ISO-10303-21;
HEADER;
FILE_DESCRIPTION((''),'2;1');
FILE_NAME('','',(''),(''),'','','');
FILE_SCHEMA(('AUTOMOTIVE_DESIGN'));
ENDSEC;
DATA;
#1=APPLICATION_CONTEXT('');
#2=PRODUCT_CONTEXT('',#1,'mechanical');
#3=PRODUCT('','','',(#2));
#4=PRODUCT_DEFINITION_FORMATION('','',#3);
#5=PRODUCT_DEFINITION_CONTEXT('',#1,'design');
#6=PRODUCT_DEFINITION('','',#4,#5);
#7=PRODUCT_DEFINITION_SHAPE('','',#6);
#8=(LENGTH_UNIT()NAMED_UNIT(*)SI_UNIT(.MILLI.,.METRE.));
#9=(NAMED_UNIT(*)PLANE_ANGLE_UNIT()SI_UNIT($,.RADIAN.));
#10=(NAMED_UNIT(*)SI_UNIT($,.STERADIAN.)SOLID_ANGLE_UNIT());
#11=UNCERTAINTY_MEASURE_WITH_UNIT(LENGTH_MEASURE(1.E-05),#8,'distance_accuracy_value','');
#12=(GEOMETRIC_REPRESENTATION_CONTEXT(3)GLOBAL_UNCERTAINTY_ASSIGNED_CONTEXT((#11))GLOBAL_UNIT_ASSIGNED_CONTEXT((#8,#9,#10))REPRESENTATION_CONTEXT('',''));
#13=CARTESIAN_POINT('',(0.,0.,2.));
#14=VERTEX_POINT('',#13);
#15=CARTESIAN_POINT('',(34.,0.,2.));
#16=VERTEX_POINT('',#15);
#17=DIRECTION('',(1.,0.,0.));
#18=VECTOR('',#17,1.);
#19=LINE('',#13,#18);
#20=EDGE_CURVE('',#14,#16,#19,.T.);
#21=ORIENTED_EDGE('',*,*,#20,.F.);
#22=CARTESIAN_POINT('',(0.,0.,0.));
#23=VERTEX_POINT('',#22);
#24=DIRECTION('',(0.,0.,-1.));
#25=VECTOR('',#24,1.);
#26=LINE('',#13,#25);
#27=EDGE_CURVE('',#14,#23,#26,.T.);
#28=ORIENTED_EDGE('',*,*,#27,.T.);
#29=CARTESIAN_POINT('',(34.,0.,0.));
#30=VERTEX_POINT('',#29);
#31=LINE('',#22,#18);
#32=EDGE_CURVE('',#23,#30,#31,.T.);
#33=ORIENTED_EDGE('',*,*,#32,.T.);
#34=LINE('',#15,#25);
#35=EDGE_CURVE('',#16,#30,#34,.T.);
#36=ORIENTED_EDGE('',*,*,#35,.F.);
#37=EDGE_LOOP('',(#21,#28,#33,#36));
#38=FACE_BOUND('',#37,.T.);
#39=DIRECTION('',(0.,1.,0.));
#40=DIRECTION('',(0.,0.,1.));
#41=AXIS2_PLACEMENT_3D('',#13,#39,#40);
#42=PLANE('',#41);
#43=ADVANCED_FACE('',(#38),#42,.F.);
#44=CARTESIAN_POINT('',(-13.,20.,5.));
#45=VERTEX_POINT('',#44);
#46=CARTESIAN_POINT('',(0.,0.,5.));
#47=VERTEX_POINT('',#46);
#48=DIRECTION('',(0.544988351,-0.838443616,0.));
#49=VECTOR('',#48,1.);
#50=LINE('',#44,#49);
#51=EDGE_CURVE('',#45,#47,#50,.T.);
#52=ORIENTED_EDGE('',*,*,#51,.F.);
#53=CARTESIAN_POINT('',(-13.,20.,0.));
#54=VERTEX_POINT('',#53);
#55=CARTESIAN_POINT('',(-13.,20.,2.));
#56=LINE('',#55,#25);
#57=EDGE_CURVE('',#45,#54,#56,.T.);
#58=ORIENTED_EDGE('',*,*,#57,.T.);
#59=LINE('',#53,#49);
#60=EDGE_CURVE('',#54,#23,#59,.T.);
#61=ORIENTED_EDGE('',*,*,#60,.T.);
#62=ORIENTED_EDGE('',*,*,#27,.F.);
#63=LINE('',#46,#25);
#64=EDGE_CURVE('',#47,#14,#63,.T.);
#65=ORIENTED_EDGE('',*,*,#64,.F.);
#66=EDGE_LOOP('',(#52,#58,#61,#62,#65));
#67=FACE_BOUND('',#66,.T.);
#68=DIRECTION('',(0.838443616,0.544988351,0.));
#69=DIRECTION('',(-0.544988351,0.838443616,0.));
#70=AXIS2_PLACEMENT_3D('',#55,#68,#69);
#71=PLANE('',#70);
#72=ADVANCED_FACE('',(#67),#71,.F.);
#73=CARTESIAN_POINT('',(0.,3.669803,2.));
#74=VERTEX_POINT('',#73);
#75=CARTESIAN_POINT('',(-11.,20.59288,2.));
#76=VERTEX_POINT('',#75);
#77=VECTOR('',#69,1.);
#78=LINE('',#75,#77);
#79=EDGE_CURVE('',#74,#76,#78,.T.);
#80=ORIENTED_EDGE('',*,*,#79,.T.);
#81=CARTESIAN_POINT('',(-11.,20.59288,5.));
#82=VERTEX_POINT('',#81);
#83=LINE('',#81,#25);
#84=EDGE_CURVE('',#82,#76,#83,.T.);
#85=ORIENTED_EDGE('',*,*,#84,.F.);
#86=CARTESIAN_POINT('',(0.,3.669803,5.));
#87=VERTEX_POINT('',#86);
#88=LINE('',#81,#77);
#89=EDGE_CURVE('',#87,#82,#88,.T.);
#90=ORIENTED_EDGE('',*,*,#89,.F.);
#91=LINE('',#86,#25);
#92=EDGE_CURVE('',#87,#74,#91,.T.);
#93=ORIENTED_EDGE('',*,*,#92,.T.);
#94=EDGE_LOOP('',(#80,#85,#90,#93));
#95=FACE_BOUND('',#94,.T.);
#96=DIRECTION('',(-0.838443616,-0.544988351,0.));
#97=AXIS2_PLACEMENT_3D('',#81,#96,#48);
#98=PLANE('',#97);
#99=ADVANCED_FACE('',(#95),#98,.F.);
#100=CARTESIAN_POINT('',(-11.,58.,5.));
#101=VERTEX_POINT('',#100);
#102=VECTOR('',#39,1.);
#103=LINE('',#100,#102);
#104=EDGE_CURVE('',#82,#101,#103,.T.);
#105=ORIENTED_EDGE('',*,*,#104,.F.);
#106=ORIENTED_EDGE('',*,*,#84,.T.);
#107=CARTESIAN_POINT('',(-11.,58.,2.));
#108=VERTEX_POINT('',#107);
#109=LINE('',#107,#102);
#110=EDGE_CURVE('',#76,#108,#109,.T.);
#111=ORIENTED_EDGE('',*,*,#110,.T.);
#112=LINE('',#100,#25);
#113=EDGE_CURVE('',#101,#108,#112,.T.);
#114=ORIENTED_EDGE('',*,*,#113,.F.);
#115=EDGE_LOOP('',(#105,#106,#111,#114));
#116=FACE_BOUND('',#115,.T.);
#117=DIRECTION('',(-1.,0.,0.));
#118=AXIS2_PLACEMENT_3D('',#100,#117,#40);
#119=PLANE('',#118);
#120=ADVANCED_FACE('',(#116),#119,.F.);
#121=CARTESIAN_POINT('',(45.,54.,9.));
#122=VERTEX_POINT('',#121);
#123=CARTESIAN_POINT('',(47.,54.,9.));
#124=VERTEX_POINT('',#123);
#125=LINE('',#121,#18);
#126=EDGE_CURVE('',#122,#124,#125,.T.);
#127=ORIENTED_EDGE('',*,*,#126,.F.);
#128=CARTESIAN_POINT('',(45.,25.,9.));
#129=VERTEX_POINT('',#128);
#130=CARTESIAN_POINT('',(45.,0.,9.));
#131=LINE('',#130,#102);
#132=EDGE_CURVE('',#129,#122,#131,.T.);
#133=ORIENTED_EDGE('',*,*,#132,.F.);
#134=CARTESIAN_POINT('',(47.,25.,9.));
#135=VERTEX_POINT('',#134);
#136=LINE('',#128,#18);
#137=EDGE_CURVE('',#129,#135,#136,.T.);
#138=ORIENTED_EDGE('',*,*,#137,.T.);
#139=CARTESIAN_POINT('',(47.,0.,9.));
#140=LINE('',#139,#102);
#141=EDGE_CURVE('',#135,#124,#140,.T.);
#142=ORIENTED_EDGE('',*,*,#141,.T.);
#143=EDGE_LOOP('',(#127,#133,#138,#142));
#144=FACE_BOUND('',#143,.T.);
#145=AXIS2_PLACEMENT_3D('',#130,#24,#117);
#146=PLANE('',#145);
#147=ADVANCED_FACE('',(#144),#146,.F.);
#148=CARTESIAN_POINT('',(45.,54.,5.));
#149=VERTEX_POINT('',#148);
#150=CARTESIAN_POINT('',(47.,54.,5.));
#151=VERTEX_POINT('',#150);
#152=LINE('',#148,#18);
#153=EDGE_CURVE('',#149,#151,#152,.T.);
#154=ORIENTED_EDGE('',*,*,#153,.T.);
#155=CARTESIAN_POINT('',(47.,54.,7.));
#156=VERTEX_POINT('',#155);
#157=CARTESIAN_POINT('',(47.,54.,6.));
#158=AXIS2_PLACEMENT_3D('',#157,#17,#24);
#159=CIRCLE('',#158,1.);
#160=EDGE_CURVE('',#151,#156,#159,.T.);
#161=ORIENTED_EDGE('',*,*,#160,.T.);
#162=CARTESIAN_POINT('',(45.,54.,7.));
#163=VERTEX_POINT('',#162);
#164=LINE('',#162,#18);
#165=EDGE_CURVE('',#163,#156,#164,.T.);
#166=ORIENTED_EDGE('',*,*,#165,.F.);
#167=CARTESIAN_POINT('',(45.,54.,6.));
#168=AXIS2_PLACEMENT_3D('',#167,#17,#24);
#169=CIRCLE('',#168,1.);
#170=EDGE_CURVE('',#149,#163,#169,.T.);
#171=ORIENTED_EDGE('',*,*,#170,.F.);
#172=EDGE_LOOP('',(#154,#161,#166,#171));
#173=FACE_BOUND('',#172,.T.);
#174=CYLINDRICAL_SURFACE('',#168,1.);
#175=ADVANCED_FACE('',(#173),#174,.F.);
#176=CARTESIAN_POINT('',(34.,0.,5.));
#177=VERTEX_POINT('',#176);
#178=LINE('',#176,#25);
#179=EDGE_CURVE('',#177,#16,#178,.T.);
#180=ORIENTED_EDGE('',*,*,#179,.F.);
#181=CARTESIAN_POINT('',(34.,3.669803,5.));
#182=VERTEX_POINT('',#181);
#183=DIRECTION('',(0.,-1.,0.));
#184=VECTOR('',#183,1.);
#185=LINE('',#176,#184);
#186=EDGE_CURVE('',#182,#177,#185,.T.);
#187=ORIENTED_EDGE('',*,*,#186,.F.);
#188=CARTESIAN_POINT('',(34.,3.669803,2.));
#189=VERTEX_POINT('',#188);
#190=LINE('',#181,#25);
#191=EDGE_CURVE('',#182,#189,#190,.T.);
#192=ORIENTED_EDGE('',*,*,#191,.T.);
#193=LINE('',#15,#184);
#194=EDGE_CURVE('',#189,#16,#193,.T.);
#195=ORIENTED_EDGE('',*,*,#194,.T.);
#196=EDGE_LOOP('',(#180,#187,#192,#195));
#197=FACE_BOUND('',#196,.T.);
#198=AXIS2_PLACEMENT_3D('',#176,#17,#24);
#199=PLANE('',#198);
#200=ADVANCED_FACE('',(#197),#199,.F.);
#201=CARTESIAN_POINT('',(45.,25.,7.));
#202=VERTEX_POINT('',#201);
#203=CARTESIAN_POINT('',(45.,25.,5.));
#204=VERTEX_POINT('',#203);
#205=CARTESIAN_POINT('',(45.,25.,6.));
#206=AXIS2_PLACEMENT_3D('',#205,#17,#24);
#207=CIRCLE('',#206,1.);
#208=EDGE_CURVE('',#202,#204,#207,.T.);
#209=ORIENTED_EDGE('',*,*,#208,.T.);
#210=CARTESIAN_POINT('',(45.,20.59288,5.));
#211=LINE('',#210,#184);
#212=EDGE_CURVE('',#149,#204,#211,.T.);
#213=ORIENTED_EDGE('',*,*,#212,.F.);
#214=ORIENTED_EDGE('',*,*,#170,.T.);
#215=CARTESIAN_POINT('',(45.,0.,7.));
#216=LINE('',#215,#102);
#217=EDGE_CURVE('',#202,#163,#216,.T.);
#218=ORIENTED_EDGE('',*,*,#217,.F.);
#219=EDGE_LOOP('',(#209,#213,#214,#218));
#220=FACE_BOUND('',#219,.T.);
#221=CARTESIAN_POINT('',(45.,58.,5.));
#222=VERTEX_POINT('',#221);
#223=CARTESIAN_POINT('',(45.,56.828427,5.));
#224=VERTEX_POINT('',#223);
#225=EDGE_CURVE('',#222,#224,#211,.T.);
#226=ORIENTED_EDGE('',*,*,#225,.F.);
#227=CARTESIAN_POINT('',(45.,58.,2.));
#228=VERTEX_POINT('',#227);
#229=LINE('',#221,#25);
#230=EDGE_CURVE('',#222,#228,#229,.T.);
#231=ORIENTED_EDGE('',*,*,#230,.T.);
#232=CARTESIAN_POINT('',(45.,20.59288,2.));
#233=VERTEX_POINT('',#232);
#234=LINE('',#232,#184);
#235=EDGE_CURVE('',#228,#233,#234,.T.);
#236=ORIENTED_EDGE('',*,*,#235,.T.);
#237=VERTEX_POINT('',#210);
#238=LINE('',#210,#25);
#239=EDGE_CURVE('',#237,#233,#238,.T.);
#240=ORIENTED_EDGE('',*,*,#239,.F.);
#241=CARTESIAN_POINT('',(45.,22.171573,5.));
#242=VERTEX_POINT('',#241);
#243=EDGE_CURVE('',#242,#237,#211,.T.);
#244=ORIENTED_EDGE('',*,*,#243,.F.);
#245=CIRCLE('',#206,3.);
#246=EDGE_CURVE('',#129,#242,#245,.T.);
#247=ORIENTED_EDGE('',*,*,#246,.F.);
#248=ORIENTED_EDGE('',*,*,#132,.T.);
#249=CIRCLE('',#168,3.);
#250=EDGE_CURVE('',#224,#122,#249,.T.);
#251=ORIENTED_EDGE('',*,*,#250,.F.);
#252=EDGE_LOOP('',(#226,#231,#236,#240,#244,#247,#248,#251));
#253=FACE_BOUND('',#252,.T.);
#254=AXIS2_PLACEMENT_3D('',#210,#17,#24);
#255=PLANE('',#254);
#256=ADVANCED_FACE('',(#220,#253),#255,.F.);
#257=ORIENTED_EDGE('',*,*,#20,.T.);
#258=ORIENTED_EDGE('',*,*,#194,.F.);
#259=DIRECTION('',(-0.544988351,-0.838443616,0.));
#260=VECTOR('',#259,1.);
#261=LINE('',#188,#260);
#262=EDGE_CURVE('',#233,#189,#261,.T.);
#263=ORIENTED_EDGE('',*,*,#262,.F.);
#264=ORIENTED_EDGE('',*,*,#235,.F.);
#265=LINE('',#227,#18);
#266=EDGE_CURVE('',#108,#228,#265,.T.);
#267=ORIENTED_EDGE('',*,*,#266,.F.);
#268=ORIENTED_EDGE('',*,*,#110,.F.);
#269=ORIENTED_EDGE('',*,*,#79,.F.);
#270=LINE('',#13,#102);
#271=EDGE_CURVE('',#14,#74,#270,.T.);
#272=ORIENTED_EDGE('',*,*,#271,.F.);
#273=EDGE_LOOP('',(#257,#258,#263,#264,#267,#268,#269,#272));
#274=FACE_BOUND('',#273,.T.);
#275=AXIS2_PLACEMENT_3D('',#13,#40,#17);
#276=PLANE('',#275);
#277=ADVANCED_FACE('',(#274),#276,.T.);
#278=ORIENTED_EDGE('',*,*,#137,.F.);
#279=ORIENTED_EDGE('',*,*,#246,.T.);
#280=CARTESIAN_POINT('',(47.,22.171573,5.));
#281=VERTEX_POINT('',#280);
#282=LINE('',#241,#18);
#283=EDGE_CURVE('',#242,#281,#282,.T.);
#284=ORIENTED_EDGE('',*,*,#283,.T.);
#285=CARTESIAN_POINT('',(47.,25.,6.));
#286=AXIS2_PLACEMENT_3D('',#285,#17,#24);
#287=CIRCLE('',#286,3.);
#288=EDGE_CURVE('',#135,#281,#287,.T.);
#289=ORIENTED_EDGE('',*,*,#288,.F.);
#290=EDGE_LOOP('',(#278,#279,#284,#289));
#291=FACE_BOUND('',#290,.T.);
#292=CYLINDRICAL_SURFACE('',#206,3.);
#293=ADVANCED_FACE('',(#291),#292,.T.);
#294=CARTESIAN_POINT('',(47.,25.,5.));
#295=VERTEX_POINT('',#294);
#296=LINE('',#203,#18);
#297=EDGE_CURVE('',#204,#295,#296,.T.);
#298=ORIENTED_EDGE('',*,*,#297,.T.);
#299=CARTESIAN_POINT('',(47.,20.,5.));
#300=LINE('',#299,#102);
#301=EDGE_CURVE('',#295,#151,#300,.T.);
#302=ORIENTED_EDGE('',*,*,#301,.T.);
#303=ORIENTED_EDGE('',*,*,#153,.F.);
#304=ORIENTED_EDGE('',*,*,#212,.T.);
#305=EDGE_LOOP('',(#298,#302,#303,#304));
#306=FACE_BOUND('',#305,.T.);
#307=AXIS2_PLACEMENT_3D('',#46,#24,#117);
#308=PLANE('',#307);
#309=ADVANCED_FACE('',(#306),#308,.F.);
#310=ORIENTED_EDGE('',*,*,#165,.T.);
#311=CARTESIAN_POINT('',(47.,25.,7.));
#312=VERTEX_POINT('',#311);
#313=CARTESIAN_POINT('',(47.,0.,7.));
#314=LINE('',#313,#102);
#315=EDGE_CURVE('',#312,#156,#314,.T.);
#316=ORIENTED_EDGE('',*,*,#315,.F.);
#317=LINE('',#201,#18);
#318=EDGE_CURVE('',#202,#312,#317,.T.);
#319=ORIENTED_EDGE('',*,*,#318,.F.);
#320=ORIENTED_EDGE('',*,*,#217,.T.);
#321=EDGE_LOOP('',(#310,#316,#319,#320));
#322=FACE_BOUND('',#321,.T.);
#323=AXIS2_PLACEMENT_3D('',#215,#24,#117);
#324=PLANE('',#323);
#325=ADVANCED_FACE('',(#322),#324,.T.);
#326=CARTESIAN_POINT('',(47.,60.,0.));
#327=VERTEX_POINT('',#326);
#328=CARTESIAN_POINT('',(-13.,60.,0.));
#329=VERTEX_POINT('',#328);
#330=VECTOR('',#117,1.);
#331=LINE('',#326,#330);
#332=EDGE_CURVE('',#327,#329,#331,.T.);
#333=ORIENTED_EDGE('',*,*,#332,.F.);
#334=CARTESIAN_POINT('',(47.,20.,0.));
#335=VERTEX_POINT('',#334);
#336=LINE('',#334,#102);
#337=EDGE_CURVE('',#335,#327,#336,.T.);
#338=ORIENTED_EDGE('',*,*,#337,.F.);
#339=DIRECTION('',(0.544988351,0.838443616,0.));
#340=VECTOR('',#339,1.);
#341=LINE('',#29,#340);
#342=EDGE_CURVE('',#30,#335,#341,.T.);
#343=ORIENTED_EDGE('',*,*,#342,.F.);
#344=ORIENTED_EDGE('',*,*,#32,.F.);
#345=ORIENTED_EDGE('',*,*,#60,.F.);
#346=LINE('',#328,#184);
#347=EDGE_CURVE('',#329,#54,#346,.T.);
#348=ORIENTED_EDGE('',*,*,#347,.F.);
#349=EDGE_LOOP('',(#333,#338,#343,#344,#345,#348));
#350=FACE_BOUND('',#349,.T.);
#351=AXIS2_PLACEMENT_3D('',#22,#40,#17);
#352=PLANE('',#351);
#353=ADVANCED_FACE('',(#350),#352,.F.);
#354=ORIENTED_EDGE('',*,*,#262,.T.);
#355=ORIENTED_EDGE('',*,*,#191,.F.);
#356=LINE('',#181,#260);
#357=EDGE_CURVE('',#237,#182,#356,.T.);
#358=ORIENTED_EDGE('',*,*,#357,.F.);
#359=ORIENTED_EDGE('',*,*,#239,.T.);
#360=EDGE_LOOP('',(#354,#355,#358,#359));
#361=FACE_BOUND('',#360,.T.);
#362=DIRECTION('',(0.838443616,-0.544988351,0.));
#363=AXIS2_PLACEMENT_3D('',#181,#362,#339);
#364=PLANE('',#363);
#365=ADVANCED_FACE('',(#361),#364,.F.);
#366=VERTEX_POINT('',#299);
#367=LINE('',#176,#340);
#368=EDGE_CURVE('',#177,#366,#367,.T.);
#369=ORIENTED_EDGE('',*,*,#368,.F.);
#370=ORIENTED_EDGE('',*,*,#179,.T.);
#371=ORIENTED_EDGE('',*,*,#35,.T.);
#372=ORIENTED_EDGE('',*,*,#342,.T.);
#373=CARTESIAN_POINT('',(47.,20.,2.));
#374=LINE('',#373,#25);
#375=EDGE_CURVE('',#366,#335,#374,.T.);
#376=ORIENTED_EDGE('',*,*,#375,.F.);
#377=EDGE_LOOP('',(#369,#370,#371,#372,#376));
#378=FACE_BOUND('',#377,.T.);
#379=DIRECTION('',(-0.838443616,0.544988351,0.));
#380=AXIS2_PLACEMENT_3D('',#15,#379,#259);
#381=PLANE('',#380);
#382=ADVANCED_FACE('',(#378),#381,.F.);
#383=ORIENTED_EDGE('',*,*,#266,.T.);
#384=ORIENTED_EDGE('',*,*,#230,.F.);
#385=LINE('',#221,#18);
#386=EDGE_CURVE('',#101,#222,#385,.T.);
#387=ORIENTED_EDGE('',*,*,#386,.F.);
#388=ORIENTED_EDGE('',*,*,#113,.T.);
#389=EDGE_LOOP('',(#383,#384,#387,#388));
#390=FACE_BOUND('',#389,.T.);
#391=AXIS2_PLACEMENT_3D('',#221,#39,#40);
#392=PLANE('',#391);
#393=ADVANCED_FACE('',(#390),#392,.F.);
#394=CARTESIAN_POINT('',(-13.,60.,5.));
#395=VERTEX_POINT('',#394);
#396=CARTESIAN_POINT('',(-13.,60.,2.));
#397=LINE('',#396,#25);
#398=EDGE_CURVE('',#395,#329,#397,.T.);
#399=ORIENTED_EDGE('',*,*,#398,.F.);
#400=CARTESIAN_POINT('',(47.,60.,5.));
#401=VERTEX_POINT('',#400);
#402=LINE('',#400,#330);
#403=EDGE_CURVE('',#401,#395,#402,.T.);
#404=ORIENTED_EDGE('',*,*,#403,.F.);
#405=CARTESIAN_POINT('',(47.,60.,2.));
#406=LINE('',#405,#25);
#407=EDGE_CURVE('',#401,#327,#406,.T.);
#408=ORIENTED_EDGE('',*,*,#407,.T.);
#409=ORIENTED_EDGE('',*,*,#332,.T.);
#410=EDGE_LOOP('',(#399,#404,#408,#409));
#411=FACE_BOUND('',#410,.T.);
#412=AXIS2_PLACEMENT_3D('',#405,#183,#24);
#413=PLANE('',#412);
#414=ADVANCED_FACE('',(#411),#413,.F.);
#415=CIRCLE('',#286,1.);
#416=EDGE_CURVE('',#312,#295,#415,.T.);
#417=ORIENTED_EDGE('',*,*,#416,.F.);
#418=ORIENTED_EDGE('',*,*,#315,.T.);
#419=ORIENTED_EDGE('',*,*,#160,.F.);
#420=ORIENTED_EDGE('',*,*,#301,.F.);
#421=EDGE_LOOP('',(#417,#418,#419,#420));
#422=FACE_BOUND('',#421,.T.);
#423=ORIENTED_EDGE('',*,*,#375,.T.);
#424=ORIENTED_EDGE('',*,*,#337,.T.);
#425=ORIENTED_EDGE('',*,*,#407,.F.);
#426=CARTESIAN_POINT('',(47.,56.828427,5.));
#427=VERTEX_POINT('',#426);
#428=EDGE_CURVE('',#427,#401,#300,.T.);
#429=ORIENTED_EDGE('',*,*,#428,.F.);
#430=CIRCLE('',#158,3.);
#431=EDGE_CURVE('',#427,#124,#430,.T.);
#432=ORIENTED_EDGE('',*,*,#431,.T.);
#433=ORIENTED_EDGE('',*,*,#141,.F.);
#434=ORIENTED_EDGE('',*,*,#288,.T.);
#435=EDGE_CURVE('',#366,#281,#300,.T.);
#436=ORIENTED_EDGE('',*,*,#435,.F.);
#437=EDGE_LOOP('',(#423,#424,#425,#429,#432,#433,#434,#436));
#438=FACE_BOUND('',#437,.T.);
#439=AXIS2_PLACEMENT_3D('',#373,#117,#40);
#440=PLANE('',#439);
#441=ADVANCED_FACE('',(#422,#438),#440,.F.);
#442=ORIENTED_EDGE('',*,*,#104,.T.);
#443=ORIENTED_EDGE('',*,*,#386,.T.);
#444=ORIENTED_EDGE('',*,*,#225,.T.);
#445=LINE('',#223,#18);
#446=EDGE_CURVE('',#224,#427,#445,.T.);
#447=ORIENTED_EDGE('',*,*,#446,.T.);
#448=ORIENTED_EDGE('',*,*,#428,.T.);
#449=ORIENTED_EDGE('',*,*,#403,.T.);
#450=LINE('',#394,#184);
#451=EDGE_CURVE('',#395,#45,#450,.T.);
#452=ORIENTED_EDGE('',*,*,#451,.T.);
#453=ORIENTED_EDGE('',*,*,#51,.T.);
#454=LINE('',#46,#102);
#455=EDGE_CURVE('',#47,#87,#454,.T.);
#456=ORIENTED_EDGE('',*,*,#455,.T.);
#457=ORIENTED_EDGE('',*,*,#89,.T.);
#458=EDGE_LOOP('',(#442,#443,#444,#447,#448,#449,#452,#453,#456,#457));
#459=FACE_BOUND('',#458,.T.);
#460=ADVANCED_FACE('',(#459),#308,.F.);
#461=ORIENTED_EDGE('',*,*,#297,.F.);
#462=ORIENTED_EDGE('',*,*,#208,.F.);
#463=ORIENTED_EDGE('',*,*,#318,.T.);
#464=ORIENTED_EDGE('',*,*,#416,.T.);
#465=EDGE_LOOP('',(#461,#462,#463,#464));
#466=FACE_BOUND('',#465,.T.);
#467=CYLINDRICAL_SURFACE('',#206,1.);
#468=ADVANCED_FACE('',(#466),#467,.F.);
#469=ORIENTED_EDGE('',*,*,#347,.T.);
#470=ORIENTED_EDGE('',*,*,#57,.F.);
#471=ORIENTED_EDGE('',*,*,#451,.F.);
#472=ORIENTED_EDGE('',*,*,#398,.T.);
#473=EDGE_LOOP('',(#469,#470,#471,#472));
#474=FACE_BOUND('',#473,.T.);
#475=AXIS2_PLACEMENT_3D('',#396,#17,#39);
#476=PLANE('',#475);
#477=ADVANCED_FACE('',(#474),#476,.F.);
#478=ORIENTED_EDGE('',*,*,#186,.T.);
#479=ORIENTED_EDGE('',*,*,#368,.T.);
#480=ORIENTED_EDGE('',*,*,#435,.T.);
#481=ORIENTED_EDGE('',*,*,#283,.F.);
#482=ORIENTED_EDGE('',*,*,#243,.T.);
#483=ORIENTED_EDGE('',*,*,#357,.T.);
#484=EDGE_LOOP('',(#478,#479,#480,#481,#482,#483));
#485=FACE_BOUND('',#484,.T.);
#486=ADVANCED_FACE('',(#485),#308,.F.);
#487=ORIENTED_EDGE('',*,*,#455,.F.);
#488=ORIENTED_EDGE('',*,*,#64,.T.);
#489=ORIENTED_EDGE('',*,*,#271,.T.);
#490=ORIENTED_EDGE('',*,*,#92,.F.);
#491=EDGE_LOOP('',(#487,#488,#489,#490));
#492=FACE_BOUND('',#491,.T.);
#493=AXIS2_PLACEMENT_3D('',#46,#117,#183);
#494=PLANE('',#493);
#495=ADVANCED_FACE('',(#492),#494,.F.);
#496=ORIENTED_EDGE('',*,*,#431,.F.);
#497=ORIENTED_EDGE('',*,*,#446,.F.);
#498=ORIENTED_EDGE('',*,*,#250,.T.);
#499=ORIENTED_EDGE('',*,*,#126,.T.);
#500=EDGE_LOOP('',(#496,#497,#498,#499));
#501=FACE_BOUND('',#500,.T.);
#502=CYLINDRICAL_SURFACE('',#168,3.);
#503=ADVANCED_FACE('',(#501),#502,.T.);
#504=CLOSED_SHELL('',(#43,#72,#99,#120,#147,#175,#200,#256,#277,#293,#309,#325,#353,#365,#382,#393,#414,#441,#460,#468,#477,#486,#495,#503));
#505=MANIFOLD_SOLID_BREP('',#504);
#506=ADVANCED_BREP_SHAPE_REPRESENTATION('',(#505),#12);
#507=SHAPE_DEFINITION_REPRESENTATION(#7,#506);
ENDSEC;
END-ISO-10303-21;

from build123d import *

# Parameters (mm, degrees)
P_IDAT_VYSUNUT_M1_DEPTH = 2
P_IDAT_VYSUNUT_M2_DEPTH = 3
P_IDAT_VYSUNUT_M3_DEPTH = 2


with BuildPart() as part:
    # Skica1 → Přidat vysunutím1 (new body)
    with BuildSketch(Plane.XY):
        Polygon((0, 0), (34, 0), (47, 20), (47, 60), (-13, 60), (-13, 20), align=None)
    extrude(amount=P_IDAT_VYSUNUT_M1_DEPTH)

    # Skica2 → Přidat vysunutím2 (add)
    with BuildSketch(Plane.XY.offset(2)):
        Polygon((-11, 20.592880136), (0, 3.669803213), (0, 0), (-13, 20), (-13, 60), (47, 60), (47, 20), (34, 0), (34, 3.669803213), (45, 20.592880136), (45, 58), (-11, 58), align=None)
    extrude(amount=P_IDAT_VYSUNUT_M2_DEPTH)

    # Skica3 → Přidat vysunutím3 (add)
    with BuildSketch(Plane(origin=(47, 0, 0), x_dir=(0, 0, -1), z_dir=(1, 0, 0))):
        with BuildLine():
            ThreePointArc((-5, 25), (-6, 24), (-7, 25))
            Line((-7, 25), (-7, 54))
            ThreePointArc((-7, 54), (-6, 55), (-5, 54))
            Line((-5, 54), (-5, 56.828427125))
            ThreePointArc((-5, 56.828427125), (-7.732050808, 56.449489743), (-9, 54))
            Line((-9, 54), (-9, 25))
            ThreePointArc((-9, 25), (-7.732050808, 22.550510257), (-5, 22.171572875))
            Line((-5, 22.171572875), (-5, 25))
        make_face()
    extrude(amount=-P_IDAT_VYSUNUT_M3_DEPTH)


solid = part.part
